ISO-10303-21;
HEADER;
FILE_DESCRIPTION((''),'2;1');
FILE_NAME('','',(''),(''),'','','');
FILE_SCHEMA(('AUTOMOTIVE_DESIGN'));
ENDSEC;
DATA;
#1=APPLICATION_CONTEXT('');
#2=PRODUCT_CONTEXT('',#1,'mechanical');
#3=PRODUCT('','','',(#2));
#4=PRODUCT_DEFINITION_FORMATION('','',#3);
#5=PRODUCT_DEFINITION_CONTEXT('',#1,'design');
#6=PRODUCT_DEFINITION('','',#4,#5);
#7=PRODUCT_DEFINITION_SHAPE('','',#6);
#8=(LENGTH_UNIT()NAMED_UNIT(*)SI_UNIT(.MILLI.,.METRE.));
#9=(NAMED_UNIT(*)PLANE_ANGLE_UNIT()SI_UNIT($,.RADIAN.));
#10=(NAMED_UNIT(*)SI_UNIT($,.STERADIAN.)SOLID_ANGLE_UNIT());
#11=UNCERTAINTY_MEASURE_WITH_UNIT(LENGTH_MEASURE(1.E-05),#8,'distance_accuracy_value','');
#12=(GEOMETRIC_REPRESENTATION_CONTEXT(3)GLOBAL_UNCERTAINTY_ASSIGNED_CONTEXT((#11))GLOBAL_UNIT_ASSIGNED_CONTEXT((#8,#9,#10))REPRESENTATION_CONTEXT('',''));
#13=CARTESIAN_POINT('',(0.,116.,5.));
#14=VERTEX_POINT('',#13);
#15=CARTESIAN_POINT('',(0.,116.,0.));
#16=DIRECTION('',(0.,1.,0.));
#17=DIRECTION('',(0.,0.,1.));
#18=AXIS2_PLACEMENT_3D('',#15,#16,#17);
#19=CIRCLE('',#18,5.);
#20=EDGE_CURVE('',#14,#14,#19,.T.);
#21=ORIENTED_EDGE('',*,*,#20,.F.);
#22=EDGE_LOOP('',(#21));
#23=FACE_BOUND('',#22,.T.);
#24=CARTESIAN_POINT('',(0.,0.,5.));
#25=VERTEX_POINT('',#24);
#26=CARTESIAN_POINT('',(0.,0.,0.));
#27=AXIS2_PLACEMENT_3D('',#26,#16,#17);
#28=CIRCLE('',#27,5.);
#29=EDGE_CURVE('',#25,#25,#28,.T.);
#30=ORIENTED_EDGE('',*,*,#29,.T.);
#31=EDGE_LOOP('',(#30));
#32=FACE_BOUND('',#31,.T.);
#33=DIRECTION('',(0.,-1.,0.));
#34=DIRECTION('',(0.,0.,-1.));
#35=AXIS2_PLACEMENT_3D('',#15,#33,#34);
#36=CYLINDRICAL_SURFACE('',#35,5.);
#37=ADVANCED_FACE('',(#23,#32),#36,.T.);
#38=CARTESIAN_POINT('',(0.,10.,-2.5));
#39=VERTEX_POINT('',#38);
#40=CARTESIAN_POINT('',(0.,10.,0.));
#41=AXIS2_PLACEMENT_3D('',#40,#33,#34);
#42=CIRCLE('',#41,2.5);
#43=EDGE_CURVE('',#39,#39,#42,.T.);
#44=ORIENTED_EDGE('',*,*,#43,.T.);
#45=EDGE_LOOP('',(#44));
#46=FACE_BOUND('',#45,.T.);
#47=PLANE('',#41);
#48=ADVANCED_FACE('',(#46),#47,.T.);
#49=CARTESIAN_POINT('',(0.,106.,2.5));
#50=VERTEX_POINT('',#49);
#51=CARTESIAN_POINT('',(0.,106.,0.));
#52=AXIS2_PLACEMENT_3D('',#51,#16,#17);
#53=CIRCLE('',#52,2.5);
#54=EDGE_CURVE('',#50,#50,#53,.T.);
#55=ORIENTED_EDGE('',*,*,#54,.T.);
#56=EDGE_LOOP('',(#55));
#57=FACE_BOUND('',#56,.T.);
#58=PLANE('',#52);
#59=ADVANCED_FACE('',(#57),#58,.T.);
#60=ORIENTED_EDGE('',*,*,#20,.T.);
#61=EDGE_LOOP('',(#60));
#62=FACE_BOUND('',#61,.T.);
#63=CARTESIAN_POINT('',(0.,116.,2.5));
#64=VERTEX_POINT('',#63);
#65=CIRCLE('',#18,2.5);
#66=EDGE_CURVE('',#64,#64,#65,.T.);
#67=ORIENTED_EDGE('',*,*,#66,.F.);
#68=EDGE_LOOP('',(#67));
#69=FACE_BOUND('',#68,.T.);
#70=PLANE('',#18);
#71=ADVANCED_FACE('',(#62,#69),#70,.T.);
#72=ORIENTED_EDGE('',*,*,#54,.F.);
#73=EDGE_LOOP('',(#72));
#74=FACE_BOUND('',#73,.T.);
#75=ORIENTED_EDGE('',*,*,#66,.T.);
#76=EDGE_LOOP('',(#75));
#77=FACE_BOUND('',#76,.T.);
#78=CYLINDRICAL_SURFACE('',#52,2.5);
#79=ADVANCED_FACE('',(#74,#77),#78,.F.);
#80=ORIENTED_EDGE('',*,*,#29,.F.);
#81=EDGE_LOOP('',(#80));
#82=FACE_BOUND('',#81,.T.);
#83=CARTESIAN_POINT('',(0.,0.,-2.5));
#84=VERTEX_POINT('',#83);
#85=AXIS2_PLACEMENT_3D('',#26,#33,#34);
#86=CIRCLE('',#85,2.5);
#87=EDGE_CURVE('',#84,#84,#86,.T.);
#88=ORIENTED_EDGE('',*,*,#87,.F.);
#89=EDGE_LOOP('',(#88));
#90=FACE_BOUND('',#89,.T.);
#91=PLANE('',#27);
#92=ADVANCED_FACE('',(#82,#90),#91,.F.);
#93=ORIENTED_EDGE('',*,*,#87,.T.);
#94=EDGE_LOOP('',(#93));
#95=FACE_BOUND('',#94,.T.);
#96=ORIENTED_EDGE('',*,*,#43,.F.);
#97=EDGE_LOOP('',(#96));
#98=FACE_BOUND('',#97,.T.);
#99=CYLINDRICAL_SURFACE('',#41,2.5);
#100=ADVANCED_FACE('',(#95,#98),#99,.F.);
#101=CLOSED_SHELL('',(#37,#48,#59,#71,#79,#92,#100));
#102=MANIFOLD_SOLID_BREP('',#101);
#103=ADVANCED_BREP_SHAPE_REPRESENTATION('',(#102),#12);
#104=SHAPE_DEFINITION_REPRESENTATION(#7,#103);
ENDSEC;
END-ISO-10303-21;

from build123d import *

# Parameters (mm, degrees)
SKETCH1_R           = 5
BOSS_EXTRUDE1_DEPTH = 116
SKETCH2_R           = 2.5
CUT_EXTRUDE1_DEPTH  = 10
SKETCH3_R           = 2.5
CUT_EXTRUDE2_DEPTH  = 10


with BuildPart() as part:
    # Sketch1 → Boss-Extrude1 (new body)
    with BuildSketch(Plane(origin=(0, 0, 0), x_dir=(1, 0, 0), z_dir=(0, 1, 0))):
        Circle(SKETCH1_R)
    extrude(amount=BOSS_EXTRUDE1_DEPTH)

    # Sketch2 → Cut-Extrude1 (cut)
    with BuildSketch(Plane(origin=(0, 116, 0), x_dir=(1, 0, 0), z_dir=(0, 1, 0))):
        Circle(SKETCH2_R)
    extrude(amount=-CUT_EXTRUDE1_DEPTH, mode=Mode.SUBTRACT)

    # Sketch3 → Cut-Extrude2 (cut)
    with BuildSketch(Plane.XZ):
        Circle(SKETCH3_R)
    extrude(amount=-CUT_EXTRUDE2_DEPTH, mode=Mode.SUBTRACT)


solid = part.part
